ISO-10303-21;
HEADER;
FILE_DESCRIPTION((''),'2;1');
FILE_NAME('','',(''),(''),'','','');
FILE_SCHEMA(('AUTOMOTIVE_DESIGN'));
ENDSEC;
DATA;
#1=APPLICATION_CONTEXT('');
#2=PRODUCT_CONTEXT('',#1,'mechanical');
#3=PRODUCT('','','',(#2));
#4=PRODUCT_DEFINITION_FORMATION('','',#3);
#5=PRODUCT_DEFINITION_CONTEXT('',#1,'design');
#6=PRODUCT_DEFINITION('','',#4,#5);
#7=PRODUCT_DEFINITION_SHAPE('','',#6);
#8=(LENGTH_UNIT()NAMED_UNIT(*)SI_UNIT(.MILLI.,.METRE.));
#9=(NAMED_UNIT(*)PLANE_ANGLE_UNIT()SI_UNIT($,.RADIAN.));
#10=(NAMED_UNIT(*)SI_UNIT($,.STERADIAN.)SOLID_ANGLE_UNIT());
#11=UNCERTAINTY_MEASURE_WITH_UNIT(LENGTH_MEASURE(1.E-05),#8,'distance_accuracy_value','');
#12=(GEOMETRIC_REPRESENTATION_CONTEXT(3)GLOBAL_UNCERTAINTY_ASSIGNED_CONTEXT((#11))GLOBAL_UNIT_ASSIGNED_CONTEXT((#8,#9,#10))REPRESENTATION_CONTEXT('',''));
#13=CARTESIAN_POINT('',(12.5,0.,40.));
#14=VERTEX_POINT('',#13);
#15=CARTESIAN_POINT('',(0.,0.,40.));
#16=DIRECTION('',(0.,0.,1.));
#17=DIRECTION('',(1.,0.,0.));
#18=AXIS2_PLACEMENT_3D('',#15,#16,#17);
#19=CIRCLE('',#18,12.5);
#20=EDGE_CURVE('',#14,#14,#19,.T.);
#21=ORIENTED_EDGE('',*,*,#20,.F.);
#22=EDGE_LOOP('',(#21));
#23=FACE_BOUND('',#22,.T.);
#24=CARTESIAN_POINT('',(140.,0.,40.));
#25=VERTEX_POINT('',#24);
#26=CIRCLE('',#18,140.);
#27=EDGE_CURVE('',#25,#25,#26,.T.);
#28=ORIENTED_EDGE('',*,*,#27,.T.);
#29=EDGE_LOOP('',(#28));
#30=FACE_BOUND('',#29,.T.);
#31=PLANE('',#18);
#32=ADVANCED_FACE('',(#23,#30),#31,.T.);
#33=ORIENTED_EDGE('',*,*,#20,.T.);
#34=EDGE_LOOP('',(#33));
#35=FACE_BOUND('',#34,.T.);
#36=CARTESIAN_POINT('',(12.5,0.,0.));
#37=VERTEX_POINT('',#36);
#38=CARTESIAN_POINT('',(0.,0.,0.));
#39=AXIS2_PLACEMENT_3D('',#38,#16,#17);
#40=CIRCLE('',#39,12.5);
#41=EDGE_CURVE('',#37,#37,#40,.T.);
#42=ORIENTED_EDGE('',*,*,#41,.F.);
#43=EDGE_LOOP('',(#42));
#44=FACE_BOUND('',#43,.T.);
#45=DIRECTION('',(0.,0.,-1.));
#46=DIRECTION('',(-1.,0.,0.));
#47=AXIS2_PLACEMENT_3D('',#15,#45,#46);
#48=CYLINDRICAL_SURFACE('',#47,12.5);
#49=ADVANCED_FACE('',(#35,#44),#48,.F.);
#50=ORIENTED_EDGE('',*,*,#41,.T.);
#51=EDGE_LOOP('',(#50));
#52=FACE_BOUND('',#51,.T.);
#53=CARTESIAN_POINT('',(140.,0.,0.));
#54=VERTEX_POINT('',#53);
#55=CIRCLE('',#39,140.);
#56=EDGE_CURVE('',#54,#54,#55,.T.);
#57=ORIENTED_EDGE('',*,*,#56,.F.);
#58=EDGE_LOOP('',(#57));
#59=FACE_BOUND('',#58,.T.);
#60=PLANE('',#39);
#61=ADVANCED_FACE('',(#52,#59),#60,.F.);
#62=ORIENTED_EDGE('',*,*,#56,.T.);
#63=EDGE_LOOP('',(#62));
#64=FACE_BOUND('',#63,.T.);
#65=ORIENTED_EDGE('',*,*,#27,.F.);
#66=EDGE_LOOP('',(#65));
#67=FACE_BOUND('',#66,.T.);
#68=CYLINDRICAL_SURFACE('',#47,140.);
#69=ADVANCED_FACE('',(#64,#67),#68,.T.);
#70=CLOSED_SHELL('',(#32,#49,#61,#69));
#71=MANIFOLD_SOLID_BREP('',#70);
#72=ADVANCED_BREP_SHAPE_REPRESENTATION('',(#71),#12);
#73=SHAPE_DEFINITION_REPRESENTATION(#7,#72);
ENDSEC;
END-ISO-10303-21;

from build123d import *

# Parameters (mm, degrees)
SKETCH_1_R      = 140
SKETCH_1_R_2    = 12.5
EXTRUDE_1_DEPTH = 40


with BuildPart() as part:
    # 草图1 → 凸台-拉伸1 (new body)
    with BuildSketch(Plane.XY):
        Circle(SKETCH_1_R)
        Circle(SKETCH_1_R_2, mode=Mode.SUBTRACT)
    extrude(amount=EXTRUDE_1_DEPTH)


solid = part.part
